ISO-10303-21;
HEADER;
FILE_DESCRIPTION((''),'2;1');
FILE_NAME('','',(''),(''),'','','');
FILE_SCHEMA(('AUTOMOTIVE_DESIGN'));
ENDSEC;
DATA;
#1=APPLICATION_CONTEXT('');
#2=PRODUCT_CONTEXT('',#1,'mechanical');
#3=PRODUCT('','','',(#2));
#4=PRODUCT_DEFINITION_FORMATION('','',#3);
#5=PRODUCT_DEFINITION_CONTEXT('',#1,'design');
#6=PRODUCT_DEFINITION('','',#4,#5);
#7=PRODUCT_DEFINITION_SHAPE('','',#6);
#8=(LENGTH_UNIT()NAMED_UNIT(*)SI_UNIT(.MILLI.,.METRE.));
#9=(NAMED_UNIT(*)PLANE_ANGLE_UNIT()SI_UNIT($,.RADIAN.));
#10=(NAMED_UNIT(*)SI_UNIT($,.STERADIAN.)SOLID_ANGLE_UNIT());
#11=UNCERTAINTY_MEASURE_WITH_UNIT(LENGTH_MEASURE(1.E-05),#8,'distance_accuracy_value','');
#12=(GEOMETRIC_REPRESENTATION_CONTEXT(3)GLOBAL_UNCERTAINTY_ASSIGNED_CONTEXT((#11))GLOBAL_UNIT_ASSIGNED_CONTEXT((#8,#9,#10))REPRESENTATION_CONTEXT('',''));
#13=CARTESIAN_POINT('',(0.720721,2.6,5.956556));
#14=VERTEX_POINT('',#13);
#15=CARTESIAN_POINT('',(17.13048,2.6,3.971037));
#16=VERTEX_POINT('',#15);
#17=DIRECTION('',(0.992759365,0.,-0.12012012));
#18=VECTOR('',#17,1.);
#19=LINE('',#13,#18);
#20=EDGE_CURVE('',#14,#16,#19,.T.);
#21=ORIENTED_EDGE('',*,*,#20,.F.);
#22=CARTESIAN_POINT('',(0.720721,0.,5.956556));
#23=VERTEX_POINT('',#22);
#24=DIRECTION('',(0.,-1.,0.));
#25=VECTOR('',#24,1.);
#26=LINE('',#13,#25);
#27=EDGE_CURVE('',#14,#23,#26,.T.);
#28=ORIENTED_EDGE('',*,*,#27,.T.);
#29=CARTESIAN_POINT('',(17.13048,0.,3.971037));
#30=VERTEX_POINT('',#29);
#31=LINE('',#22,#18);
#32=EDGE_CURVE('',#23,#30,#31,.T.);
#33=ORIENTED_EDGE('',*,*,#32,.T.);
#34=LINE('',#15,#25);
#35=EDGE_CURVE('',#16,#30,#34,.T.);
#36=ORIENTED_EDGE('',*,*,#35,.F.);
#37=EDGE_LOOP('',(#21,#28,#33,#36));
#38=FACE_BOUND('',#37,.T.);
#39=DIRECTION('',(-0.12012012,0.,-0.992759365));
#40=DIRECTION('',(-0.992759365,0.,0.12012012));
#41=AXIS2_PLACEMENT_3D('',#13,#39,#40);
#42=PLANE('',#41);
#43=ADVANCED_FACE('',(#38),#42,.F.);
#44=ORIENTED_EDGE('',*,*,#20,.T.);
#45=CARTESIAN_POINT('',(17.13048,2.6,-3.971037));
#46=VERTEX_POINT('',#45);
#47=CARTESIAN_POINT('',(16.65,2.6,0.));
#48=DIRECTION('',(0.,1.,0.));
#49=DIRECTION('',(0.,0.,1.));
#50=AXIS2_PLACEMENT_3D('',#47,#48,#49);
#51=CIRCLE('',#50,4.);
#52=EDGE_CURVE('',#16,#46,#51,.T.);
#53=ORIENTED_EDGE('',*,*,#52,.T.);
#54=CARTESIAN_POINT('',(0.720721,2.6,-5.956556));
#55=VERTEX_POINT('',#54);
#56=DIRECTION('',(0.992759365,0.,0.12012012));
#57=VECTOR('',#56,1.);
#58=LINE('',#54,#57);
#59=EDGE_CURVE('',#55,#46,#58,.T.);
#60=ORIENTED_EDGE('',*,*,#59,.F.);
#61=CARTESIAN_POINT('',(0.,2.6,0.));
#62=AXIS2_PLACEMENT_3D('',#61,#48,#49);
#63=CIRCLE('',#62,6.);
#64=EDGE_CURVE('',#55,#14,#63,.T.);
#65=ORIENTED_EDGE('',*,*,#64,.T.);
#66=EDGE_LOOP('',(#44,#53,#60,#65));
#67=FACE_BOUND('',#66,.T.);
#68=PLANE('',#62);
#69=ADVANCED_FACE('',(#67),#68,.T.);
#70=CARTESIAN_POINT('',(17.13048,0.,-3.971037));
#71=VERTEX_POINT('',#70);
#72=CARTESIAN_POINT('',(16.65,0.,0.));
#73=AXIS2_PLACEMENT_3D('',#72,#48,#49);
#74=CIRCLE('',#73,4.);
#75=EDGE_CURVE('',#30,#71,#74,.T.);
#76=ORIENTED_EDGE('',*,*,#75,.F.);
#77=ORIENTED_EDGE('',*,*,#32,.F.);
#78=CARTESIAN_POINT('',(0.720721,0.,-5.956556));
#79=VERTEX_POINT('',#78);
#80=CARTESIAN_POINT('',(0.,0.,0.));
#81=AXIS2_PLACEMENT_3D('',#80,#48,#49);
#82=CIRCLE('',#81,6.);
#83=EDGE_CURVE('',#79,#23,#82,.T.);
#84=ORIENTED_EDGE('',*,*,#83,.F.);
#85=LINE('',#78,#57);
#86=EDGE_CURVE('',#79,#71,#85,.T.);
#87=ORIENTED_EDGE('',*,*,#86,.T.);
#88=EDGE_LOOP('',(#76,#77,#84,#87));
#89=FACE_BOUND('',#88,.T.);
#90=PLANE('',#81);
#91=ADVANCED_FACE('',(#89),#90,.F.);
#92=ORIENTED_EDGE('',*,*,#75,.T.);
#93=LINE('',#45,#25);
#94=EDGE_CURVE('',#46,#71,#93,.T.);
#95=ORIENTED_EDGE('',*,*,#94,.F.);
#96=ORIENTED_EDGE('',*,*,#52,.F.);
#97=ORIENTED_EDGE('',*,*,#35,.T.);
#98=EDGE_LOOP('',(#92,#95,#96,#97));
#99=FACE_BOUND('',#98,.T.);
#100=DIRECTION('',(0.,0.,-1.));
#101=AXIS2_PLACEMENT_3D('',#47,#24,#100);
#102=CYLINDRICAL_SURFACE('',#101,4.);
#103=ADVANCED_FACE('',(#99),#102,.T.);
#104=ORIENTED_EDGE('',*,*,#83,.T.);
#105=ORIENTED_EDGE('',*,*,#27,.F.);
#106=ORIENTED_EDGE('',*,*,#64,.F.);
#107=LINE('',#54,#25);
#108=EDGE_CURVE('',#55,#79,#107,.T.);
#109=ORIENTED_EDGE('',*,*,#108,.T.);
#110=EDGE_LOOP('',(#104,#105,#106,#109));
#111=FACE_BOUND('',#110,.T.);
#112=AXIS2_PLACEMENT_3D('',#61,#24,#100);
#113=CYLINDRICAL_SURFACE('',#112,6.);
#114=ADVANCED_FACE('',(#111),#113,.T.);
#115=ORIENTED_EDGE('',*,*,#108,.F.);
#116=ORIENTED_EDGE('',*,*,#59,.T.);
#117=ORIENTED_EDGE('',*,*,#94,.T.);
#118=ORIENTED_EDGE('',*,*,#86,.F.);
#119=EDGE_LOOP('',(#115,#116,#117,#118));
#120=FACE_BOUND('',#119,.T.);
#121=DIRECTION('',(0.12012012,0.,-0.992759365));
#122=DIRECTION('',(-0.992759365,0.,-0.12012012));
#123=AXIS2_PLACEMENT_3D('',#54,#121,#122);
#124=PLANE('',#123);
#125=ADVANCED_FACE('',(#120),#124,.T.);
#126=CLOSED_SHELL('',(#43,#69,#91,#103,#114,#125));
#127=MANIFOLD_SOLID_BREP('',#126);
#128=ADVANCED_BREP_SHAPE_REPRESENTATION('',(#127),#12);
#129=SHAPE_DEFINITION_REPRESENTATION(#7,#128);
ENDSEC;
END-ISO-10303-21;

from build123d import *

# Parameters (mm, degrees)
SKETCH1_R           = 6
SKETCH1_R_2         = 4
BOSS_EXTRUDE1_DEPTH = 2.6


with BuildPart() as part:
    # Sketch1 → Boss-Extrude1 (new body)
    with BuildSketch(Plane(origin=(0, 0, 0), x_dir=(1, 0, 0), z_dir=(0, 1, 0))):
        Circle(SKETCH1_R)
        with Locations((16.65, 0)):
            Circle(SKETCH1_R_2)
        with BuildLine():
            Line((17.13048048, 3.97103746), (0.720720721, 5.95655619))
            ThreePointArc((0.720720721, 5.95655619), (4.490229634, 3.979678107), (6, 0))
            ThreePointArc((6, 0), (4.490229634, -3.979678107), (0.720720721, -5.95655619))
            Line((0.720720721, -5.95655619), (17.13048048, -3.97103746))
            ThreePointArc((17.13048048, -3.97103746), (12.65, 0), (17.13048048, 3.97103746))
        make_face()
    extrude(amount=BOSS_EXTRUDE1_DEPTH)


solid = part.part
